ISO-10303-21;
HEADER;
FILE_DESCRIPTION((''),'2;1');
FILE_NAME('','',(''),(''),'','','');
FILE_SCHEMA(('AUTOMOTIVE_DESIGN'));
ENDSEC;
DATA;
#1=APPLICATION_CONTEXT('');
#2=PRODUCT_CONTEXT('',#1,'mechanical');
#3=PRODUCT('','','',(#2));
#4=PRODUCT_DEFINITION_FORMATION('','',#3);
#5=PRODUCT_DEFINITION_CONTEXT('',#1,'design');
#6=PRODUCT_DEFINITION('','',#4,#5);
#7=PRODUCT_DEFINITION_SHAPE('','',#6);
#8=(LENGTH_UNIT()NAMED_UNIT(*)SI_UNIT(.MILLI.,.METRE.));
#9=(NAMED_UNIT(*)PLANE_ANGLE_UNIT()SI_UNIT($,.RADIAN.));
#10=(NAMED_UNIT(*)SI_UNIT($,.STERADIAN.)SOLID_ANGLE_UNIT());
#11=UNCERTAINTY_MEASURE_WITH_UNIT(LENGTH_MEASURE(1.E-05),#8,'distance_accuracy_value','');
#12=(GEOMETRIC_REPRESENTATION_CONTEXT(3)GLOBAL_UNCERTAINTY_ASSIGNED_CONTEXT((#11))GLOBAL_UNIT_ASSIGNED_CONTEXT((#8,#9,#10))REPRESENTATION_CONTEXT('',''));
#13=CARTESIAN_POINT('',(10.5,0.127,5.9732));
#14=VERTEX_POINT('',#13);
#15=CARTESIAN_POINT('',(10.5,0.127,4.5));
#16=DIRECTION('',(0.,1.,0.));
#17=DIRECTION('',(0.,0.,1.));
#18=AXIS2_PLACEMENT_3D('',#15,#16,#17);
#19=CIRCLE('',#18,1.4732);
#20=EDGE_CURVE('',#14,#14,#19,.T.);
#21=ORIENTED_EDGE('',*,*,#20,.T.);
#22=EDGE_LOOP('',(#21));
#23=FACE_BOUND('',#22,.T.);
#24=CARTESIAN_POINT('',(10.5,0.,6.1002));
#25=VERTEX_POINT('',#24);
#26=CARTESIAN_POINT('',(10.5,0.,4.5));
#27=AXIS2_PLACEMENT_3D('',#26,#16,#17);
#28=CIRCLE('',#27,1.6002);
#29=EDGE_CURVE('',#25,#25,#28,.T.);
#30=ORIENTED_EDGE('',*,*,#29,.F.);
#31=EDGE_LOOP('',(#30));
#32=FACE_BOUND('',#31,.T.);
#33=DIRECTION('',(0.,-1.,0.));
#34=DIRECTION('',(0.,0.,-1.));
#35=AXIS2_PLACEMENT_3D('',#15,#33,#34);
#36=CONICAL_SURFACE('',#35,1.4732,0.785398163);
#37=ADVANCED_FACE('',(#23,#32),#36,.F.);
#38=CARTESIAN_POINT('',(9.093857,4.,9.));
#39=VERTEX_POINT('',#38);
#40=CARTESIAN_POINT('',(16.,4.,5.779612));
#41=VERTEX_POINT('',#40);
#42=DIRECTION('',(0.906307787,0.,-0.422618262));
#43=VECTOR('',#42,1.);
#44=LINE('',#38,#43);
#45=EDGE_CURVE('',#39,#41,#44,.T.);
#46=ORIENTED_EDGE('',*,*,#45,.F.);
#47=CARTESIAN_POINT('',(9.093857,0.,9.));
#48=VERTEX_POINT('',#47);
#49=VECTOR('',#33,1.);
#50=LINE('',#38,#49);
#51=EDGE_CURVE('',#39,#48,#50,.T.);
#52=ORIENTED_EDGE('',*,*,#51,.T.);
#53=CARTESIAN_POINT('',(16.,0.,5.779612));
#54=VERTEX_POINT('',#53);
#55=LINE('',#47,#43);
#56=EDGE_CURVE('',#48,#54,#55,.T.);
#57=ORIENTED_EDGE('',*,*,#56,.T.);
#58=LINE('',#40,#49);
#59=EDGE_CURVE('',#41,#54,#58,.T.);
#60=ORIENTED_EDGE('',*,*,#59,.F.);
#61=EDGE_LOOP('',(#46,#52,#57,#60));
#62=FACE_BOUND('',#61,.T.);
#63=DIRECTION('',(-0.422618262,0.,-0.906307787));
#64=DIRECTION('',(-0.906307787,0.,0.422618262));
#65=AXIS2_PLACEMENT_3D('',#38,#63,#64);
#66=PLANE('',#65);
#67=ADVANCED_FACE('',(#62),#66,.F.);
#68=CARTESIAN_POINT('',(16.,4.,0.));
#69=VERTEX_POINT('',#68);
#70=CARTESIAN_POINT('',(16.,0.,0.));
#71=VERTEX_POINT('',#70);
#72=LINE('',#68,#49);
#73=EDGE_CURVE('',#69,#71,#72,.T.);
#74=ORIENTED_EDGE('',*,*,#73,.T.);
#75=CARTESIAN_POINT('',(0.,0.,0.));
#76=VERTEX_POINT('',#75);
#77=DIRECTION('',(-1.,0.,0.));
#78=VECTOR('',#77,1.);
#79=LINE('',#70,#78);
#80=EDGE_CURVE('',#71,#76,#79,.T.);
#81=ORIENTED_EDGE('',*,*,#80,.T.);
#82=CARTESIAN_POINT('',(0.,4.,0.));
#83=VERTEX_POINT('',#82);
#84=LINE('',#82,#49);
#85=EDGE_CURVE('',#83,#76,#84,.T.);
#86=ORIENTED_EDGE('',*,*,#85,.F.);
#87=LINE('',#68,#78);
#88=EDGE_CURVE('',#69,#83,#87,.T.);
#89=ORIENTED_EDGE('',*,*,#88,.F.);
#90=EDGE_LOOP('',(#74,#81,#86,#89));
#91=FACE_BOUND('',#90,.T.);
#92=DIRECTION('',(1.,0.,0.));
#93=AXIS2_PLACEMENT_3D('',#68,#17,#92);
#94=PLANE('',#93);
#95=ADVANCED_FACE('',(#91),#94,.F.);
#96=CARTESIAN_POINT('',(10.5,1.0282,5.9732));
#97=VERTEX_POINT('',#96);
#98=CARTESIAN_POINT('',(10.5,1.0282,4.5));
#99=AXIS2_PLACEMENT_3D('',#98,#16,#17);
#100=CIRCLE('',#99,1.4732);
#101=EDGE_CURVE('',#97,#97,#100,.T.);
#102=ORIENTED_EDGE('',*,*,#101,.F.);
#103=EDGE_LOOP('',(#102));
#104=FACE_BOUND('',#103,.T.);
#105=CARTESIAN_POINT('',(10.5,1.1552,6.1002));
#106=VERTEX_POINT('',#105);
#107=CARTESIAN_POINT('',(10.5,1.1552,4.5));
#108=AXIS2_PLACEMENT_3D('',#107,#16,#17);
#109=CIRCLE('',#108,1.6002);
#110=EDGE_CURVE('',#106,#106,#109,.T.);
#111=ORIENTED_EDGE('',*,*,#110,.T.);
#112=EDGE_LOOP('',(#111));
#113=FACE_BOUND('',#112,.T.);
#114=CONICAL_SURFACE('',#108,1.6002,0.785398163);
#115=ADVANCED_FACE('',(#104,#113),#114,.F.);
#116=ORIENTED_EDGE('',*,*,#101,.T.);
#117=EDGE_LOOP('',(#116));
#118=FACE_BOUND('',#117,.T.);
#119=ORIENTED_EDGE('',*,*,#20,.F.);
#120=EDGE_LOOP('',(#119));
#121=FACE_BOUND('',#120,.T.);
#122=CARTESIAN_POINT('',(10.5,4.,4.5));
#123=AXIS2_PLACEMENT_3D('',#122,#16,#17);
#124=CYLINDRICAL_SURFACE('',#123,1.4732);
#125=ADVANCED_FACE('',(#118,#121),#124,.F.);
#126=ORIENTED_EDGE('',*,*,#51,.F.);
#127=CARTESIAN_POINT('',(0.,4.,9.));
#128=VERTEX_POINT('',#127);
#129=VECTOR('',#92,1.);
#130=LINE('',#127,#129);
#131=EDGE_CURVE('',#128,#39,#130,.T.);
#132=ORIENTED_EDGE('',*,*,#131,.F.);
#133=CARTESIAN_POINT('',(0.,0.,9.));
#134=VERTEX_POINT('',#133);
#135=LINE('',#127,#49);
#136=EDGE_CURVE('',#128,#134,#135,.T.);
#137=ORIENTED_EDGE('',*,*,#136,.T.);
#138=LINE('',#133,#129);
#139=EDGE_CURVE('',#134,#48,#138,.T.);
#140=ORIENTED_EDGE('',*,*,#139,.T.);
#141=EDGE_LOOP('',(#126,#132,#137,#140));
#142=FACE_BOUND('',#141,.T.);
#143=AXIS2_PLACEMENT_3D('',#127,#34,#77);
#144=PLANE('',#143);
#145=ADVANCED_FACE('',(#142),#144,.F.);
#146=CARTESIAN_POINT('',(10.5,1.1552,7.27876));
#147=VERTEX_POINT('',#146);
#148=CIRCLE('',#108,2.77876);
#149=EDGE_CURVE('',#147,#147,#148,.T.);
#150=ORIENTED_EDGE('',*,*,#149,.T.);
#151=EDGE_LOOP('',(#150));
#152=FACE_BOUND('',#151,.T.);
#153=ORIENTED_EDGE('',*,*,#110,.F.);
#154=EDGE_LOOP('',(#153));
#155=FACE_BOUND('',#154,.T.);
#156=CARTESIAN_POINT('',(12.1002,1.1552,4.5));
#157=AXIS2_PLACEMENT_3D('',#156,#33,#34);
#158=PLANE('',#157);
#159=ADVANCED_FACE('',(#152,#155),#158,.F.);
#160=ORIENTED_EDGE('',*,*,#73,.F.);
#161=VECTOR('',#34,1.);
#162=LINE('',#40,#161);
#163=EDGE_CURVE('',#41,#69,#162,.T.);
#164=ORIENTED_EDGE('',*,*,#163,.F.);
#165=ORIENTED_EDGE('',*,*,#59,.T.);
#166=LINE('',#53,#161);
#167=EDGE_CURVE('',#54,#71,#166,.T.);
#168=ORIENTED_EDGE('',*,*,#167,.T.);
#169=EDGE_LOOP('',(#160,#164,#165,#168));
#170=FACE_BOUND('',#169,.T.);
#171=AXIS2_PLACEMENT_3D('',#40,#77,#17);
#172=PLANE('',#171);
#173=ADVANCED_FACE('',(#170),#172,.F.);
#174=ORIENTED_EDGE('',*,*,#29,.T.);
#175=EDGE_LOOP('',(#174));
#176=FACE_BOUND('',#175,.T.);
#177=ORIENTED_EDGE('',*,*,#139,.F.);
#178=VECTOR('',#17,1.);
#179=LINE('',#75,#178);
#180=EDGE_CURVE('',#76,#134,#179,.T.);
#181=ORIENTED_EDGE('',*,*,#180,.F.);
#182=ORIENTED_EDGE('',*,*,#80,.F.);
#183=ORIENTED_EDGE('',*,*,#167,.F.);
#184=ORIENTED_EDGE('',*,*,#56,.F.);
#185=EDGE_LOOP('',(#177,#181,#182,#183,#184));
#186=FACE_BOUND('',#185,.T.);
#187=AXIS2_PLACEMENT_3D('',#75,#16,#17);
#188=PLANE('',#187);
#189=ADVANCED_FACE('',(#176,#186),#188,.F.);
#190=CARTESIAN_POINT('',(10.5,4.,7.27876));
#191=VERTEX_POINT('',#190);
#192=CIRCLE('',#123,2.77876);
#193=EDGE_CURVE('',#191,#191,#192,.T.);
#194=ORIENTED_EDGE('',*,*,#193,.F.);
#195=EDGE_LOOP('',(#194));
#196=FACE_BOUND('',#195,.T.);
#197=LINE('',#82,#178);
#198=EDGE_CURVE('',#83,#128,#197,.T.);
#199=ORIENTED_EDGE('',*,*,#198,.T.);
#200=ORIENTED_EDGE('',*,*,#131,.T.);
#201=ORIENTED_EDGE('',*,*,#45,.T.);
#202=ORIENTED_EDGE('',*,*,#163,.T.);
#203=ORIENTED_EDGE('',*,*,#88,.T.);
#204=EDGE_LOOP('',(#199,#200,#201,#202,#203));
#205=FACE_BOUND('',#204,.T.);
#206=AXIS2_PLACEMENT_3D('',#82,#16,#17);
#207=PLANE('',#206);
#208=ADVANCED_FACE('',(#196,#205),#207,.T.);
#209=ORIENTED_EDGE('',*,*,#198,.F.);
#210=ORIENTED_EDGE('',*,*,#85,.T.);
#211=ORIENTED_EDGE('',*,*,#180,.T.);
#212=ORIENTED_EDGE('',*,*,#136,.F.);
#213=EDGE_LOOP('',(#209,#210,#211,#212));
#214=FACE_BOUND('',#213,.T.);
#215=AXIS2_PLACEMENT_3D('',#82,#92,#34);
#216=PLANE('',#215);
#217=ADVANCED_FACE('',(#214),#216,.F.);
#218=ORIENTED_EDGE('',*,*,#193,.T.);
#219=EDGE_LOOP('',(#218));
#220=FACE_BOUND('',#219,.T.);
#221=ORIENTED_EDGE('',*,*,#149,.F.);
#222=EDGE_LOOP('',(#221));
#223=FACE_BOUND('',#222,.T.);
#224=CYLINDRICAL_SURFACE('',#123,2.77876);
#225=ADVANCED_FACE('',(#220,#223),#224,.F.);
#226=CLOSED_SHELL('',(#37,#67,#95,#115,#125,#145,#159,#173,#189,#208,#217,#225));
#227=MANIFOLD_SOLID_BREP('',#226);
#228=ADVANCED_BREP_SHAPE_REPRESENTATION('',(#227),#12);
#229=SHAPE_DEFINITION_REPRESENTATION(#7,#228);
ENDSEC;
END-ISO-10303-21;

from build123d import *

# Parameters (mm, degrees)
EXTRUDE_1_DEPTH = 4


with BuildPart() as part:
    # Эскиз1 → Бобышка-Вытянуть1 (new body)
    with BuildSketch(Plane(origin=(0, 0, 0), x_dir=(1, 0, 0), z_dir=(0, 1, 0))):
        Polygon((0, 0), (0, -9), (9.093856713, -9), (16, -5.779612497), (16, 0), align=None)
    extrude(amount=EXTRUDE_1_DEPTH)

    # Эскиз2 → Цековка для  винта с внутренним шестигранником #41 (revolve, cut)
    with BuildSketch(Plane(origin=(10.5, 4, 4.5), x_dir=(0, 0, 1), z_dir=(1, 0, 0))):
        Polygon((0, 0), (0, 4), (1.6002, 4), (1.4732, 3.873), (1.4732, 2.9718), (1.6002, 2.8448), (2.77876, 2.8448), (2.77876, 0), align=None)
    revolve(axis=Axis((10.5, 10.35, 4.5), (0, -1, 0)), mode=Mode.SUBTRACT)


solid = part.part
